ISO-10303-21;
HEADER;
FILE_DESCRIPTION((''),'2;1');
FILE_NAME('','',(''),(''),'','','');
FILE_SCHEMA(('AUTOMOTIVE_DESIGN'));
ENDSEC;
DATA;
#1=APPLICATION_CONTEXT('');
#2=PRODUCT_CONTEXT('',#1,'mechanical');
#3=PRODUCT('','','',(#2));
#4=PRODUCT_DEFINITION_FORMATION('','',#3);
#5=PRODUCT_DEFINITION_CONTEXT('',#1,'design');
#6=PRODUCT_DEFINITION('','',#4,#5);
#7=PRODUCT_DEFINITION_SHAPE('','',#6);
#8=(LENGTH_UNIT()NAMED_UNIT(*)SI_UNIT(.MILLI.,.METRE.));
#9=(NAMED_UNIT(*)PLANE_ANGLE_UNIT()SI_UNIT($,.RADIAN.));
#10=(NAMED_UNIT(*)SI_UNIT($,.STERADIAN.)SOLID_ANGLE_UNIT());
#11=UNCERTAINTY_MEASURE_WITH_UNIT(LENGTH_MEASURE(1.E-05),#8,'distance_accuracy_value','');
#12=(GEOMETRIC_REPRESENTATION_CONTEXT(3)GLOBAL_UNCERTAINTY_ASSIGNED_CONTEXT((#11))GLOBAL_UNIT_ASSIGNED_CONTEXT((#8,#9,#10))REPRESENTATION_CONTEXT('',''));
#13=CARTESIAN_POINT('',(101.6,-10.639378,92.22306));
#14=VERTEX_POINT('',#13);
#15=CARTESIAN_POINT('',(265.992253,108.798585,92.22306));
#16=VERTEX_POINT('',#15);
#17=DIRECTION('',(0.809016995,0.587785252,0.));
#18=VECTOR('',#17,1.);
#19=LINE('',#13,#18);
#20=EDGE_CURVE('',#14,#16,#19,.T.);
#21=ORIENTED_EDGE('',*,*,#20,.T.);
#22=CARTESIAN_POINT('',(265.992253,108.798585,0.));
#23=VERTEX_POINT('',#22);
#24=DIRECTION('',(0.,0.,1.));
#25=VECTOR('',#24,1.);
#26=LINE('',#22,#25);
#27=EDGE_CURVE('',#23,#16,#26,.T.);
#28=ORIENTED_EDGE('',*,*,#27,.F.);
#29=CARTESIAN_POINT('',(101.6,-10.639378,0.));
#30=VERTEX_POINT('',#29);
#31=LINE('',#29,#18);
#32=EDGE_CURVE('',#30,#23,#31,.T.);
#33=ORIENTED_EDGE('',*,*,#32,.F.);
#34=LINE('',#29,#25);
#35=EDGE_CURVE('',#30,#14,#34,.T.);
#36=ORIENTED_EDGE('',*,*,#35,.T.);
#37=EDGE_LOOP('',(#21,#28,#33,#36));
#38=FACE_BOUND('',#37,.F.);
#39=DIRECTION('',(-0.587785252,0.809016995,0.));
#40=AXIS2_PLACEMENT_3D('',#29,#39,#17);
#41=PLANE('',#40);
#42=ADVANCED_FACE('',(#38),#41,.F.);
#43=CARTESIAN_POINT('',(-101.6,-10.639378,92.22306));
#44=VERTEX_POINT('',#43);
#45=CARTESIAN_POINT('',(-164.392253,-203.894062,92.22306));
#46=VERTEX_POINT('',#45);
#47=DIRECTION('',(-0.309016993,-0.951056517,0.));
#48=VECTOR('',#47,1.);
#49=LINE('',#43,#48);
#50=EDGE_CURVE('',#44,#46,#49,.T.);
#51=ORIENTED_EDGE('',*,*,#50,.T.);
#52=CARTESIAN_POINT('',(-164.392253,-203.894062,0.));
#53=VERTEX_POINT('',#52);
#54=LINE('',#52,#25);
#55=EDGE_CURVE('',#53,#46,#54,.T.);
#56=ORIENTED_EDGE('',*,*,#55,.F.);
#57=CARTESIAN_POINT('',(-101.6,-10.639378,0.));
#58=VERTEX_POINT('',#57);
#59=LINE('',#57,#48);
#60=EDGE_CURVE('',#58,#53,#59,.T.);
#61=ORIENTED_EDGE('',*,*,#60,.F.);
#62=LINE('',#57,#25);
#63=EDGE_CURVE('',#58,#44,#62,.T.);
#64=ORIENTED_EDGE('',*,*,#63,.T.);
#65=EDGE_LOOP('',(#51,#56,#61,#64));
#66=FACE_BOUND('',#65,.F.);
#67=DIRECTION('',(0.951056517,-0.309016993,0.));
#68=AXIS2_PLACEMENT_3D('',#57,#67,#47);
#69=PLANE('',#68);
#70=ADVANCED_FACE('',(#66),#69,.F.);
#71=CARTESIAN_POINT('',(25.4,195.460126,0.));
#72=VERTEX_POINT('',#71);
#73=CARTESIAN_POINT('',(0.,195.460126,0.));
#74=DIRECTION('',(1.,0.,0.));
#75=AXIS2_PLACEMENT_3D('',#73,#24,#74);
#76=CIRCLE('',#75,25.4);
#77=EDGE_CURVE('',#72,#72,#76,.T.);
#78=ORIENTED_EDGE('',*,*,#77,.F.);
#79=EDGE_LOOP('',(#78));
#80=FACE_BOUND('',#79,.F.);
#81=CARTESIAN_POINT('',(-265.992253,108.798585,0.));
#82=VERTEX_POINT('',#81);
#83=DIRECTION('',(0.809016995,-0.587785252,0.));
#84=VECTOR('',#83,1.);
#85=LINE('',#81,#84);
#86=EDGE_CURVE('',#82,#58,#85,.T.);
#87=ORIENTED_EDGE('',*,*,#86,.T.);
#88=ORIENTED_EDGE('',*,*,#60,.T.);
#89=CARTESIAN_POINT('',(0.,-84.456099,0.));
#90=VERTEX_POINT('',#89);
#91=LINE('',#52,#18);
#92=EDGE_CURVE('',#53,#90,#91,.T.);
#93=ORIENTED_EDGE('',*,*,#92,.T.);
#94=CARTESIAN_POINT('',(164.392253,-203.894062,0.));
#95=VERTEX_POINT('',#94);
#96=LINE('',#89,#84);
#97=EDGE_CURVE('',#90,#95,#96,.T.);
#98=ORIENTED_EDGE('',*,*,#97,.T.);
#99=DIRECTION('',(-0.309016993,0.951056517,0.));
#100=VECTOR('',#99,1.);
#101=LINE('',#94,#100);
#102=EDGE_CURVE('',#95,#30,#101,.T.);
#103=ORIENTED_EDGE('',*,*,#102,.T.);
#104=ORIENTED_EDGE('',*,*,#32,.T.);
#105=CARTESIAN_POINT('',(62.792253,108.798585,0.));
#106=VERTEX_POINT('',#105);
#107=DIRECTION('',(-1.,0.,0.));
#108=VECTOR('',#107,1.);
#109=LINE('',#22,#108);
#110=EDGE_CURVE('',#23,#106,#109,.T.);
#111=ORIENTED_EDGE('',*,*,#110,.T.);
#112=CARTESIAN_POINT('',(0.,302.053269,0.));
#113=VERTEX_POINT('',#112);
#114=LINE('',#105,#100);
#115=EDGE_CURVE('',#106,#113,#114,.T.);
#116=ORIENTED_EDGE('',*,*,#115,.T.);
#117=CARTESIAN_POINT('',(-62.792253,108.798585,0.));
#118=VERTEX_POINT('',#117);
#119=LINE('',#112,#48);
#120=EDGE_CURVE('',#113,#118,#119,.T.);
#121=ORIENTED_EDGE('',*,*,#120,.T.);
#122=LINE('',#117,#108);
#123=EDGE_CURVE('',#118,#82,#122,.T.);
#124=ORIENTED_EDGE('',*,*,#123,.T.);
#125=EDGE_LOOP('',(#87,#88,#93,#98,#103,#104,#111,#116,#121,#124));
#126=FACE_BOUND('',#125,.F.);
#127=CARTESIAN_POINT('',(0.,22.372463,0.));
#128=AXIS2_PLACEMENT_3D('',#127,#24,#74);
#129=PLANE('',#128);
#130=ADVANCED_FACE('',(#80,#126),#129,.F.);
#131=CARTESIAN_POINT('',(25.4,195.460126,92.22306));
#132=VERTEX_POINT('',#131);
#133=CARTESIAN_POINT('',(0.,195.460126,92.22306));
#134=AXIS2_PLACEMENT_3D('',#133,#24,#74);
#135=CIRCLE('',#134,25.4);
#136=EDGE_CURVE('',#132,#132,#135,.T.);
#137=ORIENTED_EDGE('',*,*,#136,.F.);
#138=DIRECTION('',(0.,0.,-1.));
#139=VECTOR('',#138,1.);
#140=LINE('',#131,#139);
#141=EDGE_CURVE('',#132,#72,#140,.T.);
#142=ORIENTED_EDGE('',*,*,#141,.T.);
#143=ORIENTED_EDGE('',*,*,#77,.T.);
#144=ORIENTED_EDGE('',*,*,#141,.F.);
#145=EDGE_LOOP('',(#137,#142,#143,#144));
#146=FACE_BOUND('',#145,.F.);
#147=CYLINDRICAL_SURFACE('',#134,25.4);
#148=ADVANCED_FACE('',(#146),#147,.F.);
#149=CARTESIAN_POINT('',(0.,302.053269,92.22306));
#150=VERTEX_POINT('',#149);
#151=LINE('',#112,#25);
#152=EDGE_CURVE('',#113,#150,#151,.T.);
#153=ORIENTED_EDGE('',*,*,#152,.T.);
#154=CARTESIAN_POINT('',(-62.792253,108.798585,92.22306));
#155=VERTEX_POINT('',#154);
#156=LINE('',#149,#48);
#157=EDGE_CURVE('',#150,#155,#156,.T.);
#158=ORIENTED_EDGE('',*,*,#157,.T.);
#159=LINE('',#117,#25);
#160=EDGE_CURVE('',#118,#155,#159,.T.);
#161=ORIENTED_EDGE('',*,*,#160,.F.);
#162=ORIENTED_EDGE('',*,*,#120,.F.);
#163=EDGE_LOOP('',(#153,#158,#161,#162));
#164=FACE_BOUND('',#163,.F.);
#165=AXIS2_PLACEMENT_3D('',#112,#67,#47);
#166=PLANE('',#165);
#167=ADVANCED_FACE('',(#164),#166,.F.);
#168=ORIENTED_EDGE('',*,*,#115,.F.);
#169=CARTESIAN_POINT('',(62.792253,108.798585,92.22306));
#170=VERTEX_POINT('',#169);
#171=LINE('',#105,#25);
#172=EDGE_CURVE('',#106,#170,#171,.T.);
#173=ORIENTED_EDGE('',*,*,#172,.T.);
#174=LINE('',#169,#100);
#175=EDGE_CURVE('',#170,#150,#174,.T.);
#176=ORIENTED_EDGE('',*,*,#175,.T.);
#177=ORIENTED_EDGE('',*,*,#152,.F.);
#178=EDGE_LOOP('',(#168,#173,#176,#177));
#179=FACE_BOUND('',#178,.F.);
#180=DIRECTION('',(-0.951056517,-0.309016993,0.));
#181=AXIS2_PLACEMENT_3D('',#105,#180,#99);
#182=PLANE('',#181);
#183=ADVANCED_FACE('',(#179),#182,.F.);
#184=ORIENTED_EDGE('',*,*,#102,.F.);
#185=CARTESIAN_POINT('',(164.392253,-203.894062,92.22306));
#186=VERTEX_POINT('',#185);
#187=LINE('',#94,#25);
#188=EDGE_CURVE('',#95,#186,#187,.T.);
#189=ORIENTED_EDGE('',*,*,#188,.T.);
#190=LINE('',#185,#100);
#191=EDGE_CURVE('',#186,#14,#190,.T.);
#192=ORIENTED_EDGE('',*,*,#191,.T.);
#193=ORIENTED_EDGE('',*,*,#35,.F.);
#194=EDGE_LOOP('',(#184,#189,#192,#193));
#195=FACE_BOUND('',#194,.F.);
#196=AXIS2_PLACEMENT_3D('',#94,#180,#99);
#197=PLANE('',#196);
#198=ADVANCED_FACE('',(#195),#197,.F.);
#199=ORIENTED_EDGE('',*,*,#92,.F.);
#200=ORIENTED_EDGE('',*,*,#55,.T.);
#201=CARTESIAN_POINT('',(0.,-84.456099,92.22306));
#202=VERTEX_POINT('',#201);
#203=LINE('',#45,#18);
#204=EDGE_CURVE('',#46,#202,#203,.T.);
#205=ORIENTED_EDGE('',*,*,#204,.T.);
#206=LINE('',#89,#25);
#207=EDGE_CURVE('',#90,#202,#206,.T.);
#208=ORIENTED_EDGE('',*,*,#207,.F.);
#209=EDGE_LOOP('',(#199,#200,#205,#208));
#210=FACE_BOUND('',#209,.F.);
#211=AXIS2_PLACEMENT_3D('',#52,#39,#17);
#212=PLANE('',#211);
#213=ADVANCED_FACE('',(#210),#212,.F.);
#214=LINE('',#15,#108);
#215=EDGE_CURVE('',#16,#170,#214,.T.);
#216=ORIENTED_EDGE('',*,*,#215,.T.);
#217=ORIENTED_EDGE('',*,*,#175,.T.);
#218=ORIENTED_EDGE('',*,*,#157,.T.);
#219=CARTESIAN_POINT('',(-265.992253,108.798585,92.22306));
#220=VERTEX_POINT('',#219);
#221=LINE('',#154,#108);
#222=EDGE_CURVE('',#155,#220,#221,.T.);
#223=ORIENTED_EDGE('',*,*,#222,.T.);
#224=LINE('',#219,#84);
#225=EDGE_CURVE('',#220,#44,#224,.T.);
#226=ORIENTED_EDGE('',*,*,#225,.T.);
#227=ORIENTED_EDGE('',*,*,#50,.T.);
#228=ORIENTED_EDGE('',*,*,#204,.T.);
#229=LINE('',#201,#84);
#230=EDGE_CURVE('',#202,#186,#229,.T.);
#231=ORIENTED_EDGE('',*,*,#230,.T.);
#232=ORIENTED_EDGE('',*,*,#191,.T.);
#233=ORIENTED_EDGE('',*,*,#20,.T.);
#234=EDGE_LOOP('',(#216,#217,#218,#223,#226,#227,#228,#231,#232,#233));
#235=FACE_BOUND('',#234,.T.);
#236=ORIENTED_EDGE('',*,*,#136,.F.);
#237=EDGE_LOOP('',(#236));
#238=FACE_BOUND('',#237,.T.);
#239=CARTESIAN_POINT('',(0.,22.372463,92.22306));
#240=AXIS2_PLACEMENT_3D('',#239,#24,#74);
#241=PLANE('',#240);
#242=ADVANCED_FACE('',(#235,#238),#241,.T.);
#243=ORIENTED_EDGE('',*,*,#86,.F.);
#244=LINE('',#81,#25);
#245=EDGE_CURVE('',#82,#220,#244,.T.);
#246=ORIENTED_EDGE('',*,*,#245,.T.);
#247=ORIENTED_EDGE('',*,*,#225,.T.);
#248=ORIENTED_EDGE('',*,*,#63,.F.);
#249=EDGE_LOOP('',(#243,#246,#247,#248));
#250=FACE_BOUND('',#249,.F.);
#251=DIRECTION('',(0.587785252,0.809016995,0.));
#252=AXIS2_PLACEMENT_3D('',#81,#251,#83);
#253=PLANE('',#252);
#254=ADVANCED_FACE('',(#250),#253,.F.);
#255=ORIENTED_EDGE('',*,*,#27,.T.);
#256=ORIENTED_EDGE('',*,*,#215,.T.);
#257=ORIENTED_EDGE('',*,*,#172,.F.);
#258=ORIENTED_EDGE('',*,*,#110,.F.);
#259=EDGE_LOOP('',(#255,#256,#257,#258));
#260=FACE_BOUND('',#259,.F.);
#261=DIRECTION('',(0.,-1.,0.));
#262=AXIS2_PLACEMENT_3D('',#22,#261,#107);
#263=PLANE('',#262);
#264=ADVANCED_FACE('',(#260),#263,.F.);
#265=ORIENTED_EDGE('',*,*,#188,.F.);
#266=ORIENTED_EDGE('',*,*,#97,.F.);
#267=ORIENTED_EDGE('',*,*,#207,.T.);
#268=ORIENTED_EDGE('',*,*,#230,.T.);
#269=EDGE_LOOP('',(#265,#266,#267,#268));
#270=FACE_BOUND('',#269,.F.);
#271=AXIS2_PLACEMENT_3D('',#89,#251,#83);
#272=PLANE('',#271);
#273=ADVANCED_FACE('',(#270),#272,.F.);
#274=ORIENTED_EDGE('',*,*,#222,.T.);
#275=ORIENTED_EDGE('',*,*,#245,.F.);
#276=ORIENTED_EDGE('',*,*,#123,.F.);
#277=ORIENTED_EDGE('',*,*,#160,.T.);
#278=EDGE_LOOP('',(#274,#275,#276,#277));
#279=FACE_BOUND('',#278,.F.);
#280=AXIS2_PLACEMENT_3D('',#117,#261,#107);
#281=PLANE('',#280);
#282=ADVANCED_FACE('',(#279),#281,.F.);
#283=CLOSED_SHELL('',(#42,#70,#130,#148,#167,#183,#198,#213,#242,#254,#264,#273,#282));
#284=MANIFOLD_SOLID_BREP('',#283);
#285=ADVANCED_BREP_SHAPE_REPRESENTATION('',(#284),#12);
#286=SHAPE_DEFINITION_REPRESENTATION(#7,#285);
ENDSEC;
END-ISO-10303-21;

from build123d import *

# Parameters (mm, degrees)
F1_DEPTH = 92.22306
F2_R     = 25.4
F3_DEPTH = 267.25115


with BuildPart() as f1:
    # F0 (on Top) → F1 (new body)
    with BuildSketch(Plane.XY):
        Polygon((62.792253, 108.798585), (0, 302.053269), (-62.792253, 108.798585), (-265.992253, 108.798585), (-101.6, -10.639378), (-164.392253, -203.894062), (0, -84.456099), (164.392253, -203.894062), (101.6, -10.639378), (265.992253, 108.798585), align=None)
    extrude(amount=F1_DEPTH)

    # F2 (on face) → F3 (cut)
    with BuildSketch(Plane.XY.offset(92.22306)):
        with Locations((0, 195.460126)):
            Circle(F2_R)
    extrude(amount=-F3_DEPTH, mode=Mode.SUBTRACT)


solid = f1.part
